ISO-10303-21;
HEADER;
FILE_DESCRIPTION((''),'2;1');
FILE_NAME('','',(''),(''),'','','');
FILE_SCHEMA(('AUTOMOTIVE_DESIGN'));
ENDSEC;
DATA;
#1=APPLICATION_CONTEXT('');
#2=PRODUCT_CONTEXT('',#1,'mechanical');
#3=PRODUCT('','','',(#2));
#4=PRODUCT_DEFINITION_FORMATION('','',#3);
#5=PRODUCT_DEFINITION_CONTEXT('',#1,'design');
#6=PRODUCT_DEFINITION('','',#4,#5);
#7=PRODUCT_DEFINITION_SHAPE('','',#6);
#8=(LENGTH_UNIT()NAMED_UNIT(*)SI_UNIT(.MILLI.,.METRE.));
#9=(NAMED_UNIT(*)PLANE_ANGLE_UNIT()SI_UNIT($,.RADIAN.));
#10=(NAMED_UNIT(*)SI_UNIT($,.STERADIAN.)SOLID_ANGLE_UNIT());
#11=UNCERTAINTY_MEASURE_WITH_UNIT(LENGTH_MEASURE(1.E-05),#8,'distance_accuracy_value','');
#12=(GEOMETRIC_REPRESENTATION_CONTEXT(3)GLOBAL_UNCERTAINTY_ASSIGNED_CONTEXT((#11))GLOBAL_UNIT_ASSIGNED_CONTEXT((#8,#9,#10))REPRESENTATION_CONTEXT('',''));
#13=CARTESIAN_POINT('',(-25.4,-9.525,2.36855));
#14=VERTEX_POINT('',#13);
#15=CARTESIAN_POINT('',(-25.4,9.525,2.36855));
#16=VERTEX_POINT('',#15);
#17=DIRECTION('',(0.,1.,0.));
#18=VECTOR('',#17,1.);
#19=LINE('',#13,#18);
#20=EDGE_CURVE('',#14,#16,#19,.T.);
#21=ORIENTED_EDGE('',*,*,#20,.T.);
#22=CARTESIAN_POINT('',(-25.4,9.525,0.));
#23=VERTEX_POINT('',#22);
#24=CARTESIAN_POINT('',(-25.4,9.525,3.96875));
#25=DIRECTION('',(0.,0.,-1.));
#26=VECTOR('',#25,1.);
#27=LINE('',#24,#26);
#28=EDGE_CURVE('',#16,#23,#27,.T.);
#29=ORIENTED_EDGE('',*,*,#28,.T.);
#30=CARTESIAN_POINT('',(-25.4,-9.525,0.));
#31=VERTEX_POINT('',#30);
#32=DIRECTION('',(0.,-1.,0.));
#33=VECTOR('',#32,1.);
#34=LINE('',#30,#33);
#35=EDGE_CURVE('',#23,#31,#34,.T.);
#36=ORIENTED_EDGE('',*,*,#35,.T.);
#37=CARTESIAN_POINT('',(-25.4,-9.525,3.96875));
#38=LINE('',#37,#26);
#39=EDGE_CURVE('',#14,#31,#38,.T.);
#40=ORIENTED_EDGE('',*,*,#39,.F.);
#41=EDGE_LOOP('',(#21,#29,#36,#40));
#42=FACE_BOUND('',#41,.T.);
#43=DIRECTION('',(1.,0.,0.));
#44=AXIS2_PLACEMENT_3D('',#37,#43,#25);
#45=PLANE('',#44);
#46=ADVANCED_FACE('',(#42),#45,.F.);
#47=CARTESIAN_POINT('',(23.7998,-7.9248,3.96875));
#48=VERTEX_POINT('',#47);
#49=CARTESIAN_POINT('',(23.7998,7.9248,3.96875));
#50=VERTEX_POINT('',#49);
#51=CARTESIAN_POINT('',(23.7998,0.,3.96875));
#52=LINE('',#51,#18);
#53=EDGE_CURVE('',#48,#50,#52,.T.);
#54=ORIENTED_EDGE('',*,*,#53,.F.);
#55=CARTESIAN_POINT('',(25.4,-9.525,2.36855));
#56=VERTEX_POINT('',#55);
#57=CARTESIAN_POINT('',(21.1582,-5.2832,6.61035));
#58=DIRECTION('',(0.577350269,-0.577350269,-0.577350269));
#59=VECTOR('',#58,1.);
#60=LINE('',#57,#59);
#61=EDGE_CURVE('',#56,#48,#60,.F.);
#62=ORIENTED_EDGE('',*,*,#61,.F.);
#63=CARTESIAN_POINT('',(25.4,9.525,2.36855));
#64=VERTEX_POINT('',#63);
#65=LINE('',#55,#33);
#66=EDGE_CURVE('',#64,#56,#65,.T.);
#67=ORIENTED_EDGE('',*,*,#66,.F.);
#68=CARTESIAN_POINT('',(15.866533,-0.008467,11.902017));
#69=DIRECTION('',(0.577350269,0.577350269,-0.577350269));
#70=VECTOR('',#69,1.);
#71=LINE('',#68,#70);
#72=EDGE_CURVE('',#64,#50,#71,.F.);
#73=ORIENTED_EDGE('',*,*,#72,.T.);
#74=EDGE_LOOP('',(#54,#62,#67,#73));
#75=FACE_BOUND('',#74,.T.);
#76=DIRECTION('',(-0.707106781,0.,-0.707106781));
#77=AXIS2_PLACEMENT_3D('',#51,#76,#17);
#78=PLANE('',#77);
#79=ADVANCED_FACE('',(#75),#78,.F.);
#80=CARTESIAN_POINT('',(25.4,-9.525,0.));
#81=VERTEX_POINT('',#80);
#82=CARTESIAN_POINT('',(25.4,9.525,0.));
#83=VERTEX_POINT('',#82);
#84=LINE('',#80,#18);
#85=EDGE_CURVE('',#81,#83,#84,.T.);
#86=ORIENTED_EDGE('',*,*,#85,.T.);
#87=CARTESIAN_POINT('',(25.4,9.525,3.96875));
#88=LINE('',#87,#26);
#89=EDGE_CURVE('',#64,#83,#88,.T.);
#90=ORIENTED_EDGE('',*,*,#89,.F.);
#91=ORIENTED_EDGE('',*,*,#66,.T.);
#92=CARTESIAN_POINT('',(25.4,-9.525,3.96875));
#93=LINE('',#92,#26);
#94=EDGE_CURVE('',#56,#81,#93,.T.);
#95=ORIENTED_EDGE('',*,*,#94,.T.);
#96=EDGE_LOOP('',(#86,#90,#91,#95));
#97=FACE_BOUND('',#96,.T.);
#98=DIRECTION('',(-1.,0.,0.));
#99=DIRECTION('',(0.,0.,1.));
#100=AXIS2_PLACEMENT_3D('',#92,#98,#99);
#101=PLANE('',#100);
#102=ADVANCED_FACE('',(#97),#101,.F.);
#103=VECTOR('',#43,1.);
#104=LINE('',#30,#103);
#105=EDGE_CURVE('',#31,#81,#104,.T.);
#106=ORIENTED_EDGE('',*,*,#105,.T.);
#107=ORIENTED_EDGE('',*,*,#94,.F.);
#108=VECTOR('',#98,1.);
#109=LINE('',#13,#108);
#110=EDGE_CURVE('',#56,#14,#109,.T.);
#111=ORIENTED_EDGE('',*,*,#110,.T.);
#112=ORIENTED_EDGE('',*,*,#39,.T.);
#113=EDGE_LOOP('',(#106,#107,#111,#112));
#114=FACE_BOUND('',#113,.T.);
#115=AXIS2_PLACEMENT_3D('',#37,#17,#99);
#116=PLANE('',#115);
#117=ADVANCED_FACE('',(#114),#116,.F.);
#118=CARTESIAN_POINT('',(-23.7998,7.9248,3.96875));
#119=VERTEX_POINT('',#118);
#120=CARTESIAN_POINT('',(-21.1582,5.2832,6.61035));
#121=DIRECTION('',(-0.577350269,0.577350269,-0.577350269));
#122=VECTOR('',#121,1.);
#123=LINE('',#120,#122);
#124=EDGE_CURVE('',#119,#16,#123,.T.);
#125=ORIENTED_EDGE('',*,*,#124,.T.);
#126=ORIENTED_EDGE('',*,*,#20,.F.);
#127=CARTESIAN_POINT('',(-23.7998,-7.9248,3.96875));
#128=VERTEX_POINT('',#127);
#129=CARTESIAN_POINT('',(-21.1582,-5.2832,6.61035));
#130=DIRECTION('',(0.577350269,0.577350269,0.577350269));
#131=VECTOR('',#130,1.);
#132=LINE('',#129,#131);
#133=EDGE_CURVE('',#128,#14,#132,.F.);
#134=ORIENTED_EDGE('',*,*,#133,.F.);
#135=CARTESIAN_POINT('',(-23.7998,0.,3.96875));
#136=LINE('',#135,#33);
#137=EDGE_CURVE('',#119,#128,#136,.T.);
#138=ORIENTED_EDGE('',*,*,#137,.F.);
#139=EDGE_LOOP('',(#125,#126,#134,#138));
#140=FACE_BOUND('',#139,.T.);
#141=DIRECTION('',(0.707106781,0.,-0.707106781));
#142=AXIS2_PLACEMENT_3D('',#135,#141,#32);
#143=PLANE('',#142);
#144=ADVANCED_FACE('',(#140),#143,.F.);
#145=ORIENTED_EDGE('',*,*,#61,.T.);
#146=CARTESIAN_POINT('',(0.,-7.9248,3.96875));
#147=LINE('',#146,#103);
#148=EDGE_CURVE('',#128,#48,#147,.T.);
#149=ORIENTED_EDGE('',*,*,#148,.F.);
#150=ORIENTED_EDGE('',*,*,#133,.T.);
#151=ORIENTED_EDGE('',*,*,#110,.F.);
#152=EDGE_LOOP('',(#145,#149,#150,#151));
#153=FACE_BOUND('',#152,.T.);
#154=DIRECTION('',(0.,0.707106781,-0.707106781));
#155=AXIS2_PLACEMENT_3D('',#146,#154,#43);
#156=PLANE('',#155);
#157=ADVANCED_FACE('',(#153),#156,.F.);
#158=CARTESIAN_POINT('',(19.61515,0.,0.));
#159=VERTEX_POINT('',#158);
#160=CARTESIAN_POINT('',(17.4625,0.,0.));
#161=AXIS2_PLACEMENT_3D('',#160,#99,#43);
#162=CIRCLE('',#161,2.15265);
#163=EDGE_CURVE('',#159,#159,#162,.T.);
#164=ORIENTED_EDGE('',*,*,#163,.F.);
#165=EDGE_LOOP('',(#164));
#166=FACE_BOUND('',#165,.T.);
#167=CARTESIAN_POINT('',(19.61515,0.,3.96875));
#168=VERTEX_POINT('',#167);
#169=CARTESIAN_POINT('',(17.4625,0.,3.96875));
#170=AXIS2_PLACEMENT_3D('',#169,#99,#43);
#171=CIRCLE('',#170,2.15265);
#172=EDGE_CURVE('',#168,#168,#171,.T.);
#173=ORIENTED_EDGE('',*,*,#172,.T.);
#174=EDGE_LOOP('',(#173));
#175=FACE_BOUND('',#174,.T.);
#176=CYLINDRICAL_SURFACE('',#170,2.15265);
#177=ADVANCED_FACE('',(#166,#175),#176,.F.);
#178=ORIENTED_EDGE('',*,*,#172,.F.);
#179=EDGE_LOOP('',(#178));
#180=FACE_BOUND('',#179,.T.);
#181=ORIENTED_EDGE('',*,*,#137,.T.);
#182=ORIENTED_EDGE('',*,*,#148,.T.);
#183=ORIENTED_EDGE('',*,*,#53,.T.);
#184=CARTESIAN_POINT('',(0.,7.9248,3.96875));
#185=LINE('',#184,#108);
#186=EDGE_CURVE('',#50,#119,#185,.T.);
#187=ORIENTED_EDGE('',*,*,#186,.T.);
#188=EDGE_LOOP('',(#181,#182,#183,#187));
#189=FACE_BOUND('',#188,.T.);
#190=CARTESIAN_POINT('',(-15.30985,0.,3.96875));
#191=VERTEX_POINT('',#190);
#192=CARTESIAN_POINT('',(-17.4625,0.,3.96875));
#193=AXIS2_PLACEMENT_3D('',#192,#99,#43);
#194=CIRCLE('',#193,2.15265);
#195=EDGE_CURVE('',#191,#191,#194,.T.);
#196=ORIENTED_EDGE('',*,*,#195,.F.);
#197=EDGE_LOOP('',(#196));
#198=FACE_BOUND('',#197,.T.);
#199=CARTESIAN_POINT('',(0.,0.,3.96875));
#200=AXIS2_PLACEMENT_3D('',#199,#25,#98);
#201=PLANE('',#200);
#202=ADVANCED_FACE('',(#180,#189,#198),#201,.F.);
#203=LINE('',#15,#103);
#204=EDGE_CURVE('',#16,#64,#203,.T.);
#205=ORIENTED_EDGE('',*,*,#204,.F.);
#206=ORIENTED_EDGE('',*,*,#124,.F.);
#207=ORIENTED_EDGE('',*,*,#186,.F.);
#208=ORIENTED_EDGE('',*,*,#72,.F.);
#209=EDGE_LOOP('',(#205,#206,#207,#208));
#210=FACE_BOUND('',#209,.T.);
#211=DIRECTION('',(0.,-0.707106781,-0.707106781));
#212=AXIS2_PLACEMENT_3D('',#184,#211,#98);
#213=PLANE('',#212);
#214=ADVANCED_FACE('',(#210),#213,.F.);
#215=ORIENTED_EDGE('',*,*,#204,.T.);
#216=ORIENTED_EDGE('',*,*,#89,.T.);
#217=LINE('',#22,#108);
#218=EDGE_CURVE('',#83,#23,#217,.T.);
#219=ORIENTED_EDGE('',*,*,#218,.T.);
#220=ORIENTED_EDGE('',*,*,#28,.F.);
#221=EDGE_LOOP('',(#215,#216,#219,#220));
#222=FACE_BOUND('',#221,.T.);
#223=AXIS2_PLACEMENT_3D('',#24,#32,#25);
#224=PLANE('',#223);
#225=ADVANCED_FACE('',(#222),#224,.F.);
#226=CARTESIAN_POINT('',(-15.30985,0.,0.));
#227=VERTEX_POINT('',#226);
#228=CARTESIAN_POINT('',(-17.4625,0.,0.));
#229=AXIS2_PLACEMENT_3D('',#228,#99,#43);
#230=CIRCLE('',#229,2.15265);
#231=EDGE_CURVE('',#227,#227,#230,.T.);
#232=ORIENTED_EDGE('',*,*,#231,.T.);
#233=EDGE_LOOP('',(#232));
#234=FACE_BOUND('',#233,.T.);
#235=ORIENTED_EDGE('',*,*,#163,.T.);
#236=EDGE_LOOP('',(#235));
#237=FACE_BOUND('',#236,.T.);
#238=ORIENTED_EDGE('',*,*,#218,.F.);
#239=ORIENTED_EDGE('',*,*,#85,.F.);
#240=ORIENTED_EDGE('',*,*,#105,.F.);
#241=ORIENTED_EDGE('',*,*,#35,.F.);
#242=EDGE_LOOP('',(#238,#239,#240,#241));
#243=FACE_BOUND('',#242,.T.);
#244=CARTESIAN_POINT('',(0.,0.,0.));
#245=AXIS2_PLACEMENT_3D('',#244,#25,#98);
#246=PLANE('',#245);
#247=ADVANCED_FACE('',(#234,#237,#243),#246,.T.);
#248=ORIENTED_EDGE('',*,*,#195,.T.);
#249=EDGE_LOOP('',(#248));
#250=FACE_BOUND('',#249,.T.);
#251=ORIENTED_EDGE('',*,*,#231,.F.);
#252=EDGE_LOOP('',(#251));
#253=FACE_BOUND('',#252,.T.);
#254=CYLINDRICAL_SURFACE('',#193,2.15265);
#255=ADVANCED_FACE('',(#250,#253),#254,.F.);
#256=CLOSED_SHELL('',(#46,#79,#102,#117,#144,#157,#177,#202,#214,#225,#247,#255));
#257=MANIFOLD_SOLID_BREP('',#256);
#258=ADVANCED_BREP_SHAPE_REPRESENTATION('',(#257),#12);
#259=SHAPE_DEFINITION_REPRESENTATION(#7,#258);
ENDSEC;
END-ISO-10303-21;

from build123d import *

# Parameters (mm, degrees)
SKETCH2_W             = 50.8
SKETCH2_H             = 19.05
BOSS_EXTRUDE1_DEPTH   = 3.96875
F_8_CLEARANCE_HOLE1_D = 4.3053
CHAMFER1_SIZE         = 1.6002


with BuildPart() as part:
    # Sketch2 → Boss-Extrude1 (new body)
    with BuildSketch(Plane.XY):
        Rectangle(SKETCH2_W, SKETCH2_H)
    extrude(amount=BOSS_EXTRUDE1_DEPTH)

    # #8 Clearance Hole1 (through all)
    with Locations(Plane.XY.offset(3.96875)):
        with Locations((-17.4625, 0), (17.4625, 0)):
            Hole(F_8_CLEARANCE_HOLE1_D / 2)

    # Chamfer1
    chamfer1_edges = [part.edges().sort_by_distance(p)[0] for p in [
        (-25.4, 0, 3.96875),
        (0, -9.525, 3.96875),
        (25.4, 0, 3.96875),
        (0, 9.525, 3.96875),
    ]]
    chamfer(chamfer1_edges, length=CHAMFER1_SIZE)


solid = part.part
